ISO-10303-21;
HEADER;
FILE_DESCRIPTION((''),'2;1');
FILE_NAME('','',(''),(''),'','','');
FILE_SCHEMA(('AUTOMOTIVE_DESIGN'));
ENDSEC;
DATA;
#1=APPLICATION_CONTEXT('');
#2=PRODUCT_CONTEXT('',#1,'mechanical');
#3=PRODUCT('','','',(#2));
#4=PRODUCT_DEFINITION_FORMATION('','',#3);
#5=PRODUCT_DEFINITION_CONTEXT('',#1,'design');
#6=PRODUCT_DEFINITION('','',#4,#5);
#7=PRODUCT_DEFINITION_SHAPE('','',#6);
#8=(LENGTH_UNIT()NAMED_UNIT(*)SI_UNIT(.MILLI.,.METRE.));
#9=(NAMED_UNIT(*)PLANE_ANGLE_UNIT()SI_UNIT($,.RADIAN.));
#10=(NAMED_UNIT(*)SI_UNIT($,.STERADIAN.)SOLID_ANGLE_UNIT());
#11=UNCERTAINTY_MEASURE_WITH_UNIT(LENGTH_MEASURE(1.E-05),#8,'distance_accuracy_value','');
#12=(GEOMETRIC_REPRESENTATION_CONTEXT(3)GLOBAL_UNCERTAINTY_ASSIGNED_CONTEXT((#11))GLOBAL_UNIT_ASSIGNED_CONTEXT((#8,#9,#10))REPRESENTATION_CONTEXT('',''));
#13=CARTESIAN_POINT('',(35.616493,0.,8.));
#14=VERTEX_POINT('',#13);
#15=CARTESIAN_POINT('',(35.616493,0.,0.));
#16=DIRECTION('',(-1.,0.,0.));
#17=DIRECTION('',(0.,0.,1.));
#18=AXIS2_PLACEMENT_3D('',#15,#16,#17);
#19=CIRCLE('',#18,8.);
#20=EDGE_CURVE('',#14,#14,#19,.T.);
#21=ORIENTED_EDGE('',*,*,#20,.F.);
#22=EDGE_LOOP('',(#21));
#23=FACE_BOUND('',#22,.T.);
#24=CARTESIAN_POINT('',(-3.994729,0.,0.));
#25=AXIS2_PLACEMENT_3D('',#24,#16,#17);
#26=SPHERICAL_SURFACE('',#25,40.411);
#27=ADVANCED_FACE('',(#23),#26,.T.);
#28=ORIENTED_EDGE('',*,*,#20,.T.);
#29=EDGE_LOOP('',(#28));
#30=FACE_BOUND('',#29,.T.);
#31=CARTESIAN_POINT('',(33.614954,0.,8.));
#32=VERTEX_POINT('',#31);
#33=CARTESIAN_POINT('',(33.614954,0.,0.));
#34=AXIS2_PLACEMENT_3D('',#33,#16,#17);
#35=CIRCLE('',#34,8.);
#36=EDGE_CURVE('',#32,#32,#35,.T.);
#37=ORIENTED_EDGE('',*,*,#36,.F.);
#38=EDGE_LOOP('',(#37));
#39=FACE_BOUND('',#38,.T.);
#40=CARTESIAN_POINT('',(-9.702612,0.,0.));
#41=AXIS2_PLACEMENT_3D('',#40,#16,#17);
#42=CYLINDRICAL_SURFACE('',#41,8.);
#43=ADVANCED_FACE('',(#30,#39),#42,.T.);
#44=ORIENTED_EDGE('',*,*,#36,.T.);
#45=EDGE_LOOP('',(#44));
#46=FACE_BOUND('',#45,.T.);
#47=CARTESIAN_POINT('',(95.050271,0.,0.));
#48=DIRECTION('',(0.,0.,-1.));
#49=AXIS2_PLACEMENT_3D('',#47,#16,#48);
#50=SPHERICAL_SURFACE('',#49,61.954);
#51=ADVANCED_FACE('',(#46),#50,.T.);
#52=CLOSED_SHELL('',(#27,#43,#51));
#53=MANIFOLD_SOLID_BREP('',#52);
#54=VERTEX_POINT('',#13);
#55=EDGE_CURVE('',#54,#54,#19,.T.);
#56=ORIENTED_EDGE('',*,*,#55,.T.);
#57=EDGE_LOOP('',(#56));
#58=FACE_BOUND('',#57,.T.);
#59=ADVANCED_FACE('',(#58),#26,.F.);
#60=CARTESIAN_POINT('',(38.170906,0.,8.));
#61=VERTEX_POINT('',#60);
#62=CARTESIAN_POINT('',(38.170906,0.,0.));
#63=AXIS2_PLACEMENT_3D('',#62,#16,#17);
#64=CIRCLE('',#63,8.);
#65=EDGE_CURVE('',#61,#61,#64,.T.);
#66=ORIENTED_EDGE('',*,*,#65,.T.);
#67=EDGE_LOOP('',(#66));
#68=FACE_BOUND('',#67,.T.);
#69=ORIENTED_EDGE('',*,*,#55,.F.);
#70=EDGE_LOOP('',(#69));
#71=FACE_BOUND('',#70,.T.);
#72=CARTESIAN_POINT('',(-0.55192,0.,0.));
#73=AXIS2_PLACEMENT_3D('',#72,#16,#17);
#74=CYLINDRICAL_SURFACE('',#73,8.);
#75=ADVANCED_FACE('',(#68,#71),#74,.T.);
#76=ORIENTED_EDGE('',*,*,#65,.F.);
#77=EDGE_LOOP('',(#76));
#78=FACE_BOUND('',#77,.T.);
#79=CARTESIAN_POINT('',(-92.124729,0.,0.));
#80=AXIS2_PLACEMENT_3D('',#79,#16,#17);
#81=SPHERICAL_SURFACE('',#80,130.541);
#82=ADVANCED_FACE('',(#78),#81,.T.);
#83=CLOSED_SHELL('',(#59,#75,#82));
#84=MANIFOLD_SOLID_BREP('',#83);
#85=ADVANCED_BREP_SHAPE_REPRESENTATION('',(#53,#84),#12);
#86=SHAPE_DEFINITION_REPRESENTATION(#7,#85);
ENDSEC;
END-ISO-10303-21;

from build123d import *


with BuildPart() as part:
    # 草图1 one side → 旋转1 (revolve)
    with BuildSketch(Plane(origin=(0, 0, 0), x_dir=(1, 0, 0), z_dir=(0, 1, 0)), mode=Mode.PRIVATE) as revolve_1_sk:
        with BuildLine():
            ThreePointArc((33.614954095, 8), (33.226077472, 4.00839845), (33.096270616, 0))
            Line((33.096270616, 0), (36.416270616, 0))
            ThreePointArc((36.416270616, 0), (36.215829053, 4.019939197), (35.616492776, 8))
            Line((35.616492776, 8), (33.614954095, 8))
        make_face()
    revolve(revolve_1_sk.sketch.rotate(Axis((-9.702612178, 0, 0), (1, 0, 0)), 180), axis=Axis((-9.702612178, 0, 0), (1, 0, 0)))  # turned: the seam where the file's is


with BuildPart() as body_2:
    # 草图2 one side → 旋转3 (revolve)
    with BuildSketch(Plane(origin=(0, 0, 0), x_dir=(1, 0, 0), z_dir=(0, 1, 0)), mode=Mode.PRIVATE) as revolve_3_sk:
        with BuildLine():
            Line((38.17090631, 8), (35.616492776, 8))
            ThreePointArc((35.616492776, 8), (36.215829053, 4.019939197), (36.416270616, 0))
            Line((36.416270616, 0), (38.416270616, 0))
            ThreePointArc((38.416270616, 0), (38.354915121, 4.001880922), (38.17090631, 8))
        make_face()
    revolve(revolve_3_sk.sketch.rotate(Axis((-0.551919993, 0, 0), (1, 0, 0)), 180), axis=Axis((-0.551919993, 0, 0), (1, 0, 0)))  # turned: the seam where the file's is


solid = Compound([part.part, body_2.part])
